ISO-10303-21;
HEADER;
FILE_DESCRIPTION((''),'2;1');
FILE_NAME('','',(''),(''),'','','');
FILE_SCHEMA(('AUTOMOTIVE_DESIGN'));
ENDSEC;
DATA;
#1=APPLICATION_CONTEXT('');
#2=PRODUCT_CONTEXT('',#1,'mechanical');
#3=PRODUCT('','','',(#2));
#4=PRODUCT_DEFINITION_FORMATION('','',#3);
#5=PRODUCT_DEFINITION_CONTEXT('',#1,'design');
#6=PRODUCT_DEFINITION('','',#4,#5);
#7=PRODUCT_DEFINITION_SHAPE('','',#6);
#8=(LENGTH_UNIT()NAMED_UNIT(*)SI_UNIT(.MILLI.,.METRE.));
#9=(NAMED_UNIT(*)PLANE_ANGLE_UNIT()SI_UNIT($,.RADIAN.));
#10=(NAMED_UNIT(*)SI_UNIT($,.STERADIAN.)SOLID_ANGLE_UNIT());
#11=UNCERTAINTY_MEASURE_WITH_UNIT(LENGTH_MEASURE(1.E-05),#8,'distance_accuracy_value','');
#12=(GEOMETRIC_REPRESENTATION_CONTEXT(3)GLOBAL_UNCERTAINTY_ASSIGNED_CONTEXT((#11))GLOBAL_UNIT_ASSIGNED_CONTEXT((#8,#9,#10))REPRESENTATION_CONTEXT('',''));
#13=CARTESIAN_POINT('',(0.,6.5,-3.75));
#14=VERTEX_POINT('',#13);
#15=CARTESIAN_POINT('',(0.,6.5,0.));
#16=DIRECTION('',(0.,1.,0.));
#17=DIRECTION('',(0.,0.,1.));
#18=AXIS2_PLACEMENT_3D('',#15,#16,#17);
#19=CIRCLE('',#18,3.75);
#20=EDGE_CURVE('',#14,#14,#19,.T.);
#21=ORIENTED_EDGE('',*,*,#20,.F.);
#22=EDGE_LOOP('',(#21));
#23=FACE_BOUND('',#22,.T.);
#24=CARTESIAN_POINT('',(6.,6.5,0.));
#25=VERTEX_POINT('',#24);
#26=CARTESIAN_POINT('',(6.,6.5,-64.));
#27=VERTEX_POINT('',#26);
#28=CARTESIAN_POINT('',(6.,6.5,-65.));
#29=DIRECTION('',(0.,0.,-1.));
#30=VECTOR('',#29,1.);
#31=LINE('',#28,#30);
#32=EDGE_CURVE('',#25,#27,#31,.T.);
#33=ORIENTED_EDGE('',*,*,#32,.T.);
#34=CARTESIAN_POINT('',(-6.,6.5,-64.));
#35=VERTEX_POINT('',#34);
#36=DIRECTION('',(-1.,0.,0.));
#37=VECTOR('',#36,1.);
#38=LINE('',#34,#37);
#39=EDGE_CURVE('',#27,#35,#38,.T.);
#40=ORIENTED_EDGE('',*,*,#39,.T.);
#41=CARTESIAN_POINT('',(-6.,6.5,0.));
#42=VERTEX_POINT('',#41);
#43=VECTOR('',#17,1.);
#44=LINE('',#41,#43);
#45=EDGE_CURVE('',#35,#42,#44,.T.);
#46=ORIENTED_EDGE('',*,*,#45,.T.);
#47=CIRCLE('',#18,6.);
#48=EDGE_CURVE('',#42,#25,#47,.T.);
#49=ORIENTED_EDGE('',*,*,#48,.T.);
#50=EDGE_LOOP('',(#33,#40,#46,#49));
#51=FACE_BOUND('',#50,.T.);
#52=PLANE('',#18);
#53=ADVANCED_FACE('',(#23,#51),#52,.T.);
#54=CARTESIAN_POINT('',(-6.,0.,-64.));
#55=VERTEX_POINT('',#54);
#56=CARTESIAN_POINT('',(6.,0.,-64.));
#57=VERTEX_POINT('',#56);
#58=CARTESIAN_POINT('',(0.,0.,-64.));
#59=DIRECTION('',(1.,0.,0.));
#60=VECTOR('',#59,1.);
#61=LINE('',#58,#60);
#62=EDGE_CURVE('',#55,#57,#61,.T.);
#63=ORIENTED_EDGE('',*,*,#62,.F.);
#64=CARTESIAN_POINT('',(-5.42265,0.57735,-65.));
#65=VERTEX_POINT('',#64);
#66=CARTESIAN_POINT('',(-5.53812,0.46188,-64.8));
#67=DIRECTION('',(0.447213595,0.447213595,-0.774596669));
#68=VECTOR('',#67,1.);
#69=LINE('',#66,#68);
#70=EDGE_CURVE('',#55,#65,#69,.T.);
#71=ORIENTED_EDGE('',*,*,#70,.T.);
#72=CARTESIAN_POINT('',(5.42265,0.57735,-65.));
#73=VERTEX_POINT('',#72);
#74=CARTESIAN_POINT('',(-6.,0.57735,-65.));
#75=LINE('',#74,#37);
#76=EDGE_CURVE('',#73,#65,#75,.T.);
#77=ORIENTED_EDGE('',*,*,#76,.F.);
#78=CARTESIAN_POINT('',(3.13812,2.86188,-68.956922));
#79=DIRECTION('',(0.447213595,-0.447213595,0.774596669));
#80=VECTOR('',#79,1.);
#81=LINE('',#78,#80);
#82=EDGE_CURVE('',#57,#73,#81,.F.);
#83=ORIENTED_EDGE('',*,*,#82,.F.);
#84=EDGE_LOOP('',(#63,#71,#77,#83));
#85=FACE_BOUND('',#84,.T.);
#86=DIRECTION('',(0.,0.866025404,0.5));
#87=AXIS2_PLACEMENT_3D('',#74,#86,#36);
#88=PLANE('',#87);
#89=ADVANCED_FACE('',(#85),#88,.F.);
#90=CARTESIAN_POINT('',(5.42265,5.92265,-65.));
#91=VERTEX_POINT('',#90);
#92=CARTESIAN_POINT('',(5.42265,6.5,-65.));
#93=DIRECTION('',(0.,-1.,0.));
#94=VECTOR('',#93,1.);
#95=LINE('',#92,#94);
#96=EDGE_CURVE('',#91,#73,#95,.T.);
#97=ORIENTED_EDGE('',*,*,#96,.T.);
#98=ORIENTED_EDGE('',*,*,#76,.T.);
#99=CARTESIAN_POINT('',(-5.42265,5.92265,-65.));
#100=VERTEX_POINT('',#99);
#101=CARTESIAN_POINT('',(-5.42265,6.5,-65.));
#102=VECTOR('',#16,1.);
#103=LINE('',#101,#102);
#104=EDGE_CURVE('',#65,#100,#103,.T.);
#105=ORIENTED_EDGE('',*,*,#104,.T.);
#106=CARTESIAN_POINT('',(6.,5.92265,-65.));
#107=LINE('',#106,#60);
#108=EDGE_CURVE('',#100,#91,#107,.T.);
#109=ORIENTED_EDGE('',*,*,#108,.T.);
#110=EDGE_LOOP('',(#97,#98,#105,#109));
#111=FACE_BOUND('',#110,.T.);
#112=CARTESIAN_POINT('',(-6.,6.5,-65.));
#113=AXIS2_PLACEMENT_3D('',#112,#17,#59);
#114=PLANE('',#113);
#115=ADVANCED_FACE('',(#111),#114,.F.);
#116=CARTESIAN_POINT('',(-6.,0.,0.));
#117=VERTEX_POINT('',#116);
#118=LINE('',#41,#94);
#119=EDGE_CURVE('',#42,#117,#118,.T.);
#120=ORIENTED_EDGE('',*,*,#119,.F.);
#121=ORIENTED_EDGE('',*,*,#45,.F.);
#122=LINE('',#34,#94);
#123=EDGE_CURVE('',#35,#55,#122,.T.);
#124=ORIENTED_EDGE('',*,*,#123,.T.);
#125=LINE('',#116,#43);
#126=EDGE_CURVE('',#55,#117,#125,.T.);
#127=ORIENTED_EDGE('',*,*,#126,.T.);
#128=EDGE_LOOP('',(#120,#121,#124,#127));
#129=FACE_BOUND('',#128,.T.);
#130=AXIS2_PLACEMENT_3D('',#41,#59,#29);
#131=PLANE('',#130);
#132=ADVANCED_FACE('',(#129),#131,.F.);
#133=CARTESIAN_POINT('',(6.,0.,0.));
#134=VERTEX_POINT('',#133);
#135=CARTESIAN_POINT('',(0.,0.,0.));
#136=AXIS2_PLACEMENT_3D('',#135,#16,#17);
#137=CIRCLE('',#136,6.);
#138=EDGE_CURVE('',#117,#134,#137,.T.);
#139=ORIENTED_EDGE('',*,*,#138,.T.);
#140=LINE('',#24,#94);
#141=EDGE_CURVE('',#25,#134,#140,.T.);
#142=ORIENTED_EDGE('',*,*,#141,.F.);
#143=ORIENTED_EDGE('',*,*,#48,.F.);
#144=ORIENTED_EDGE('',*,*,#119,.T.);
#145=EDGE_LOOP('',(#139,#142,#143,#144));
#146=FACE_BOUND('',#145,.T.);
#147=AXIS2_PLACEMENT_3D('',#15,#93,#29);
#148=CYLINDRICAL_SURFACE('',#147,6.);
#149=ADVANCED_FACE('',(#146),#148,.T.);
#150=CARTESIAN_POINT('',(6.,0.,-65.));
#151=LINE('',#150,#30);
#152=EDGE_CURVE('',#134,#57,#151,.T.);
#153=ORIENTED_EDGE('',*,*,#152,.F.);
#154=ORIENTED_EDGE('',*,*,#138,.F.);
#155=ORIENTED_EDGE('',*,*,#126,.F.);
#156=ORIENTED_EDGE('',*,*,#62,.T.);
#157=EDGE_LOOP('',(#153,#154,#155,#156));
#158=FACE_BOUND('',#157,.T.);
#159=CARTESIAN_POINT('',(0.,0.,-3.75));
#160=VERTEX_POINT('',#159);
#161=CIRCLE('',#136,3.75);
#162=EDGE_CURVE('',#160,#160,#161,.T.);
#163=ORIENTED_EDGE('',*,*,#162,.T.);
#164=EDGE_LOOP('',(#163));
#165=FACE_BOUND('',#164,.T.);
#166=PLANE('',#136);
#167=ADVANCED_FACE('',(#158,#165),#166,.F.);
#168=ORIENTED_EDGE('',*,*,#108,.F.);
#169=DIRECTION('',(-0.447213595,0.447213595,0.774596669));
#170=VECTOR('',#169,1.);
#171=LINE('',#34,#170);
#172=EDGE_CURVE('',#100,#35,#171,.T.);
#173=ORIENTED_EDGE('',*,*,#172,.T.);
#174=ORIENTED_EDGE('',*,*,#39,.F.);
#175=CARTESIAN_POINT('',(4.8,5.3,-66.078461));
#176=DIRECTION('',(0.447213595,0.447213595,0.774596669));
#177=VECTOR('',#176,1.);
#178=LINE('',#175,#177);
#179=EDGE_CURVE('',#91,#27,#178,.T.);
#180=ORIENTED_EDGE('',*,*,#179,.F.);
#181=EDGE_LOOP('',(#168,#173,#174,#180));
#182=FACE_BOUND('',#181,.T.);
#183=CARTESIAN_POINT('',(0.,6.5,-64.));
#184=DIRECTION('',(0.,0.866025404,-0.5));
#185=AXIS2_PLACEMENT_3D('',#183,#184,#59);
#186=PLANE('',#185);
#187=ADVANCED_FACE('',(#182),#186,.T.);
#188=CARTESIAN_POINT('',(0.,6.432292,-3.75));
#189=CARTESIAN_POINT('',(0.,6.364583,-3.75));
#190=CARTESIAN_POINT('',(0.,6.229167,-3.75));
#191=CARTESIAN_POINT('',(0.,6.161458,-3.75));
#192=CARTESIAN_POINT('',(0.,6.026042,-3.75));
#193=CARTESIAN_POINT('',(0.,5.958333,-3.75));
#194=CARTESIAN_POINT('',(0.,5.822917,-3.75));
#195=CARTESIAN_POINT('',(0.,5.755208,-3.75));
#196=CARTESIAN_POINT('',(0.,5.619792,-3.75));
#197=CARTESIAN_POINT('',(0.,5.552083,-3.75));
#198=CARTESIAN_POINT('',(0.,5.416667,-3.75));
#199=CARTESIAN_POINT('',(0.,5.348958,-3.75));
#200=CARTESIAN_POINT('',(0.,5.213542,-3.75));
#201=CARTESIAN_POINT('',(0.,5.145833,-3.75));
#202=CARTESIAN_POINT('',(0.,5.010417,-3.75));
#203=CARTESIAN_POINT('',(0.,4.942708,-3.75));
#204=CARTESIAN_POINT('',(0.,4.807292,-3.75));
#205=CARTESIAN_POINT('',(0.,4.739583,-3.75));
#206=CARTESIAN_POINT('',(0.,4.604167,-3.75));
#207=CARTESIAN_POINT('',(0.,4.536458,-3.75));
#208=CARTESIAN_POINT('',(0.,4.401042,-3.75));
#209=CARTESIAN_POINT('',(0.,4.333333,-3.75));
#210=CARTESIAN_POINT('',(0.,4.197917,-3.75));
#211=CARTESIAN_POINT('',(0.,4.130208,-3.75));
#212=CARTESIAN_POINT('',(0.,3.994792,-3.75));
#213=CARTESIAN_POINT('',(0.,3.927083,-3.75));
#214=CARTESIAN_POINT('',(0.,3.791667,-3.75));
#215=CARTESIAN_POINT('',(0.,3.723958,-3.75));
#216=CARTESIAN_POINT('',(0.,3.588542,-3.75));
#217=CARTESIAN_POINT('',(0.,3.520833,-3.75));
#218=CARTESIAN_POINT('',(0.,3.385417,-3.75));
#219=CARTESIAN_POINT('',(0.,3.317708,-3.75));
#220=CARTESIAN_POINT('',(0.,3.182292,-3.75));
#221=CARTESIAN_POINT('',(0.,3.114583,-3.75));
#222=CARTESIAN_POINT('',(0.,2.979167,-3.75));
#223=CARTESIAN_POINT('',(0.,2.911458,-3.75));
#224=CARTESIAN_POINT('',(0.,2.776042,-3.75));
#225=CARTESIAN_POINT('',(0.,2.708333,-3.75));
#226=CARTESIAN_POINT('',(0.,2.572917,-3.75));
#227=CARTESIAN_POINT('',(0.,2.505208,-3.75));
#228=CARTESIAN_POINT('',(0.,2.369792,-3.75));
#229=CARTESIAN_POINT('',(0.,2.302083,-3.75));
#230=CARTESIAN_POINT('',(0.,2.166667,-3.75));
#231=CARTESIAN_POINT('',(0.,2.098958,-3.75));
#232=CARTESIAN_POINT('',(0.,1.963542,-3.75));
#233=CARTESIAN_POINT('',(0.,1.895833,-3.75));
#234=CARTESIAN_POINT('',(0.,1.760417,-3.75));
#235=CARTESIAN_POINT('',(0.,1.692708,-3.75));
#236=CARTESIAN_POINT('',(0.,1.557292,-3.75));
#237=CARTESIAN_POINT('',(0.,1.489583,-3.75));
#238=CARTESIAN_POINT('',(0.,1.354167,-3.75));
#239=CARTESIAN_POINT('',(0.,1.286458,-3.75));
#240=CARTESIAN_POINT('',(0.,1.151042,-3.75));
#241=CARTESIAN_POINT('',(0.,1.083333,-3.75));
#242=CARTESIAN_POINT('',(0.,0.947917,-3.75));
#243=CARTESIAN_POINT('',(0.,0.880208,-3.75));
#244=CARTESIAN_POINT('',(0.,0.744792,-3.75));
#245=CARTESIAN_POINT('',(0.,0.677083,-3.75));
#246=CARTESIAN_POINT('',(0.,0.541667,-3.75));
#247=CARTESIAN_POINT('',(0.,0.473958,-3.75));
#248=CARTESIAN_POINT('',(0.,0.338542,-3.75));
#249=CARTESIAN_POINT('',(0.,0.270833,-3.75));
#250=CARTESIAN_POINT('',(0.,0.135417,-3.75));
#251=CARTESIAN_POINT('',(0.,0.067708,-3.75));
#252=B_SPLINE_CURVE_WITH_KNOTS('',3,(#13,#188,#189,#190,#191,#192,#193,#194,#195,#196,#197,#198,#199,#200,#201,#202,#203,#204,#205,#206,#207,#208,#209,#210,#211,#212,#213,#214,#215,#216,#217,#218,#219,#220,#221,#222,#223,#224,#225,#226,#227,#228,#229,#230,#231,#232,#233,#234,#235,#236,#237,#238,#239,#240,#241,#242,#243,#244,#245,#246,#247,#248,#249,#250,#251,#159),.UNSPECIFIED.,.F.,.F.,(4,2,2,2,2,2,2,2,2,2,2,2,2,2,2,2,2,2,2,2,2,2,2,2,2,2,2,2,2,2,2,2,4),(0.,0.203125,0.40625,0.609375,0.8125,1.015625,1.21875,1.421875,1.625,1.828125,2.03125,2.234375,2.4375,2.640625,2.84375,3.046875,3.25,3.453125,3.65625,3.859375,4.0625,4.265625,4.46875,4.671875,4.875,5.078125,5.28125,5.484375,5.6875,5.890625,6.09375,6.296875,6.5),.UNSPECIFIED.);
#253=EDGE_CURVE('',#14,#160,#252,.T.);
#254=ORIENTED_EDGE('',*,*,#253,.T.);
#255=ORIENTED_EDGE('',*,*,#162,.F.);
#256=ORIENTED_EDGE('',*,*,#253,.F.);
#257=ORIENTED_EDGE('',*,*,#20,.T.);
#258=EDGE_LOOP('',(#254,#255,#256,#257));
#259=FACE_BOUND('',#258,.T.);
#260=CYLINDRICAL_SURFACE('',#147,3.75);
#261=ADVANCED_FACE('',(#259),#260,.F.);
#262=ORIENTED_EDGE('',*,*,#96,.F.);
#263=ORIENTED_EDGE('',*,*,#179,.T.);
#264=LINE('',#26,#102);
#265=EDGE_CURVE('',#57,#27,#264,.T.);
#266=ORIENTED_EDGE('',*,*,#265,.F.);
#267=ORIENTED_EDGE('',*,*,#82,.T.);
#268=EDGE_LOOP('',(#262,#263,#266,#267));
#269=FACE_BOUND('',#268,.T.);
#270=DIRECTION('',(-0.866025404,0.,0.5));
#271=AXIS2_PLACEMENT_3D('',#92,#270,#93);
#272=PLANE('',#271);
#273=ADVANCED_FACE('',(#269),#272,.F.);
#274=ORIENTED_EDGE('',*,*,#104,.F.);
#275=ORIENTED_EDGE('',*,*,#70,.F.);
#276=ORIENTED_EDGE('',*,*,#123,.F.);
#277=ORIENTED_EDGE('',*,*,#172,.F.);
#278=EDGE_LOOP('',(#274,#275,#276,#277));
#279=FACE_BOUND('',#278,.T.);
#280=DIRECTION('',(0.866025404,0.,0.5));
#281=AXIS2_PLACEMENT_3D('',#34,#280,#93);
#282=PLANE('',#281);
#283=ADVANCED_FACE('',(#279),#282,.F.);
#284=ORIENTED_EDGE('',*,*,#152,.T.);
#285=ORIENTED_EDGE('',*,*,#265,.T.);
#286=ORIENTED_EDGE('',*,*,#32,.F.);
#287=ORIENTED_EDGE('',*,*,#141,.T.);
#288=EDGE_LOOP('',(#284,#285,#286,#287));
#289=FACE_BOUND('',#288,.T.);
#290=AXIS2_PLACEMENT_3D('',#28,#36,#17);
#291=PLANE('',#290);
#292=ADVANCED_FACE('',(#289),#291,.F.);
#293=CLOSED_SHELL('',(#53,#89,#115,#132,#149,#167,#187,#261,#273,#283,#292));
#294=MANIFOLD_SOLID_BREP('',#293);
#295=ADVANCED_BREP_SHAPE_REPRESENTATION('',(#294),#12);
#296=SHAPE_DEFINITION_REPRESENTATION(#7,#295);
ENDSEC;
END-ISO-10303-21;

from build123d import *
from OCP.BRepFilletAPI import BRepFilletAPI_MakeChamfer

# Parameters (mm, degrees)
SKETCH1_R           = 3.75
BOSS_EXTRUDE1_DEPTH = 6.5
CHAMFER1_SIZE       = 1
CHAMFER1_SIZE2      = 0.577350269


with BuildPart() as part:
    # Sketch1 → Boss-Extrude1 (new body)
    with BuildSketch(Plane(origin=(0, 0, 0), x_dir=(1, 0, 0), z_dir=(0, 1, 0))):
        with BuildLine():
            Line((-6, 0), (-6, 65))
            Line((-6, 65), (6, 65))
            Line((6, 65), (6, 0))
            ThreePointArc((6, 0), (0, -6), (-6, 0))
        make_face()
        with Locations(Location((0, 0, 0), (0, 0, 90))):
            Circle(SKETCH1_R, mode=Mode.SUBTRACT)
    extrude(amount=BOSS_EXTRUDE1_DEPTH)

    # Chamfer1: one chamfer whose edges measure the first distance from different faces: ONE call of the kernel's chamfer builder (chamfer() names one face for all edges)
    chamfer1_edges_1 = [part.edges().sort_by_distance(p)[0] for p in [
        (0, 6.5, -65),
    ]]
    chamfer1_side_1 = [part.faces().sort_by_distance(p)[0] for p in [
        (0, 6.5, -31.810895579),
    ]]
    chamfer1_edges_2 = [part.edges().sort_by_distance(p)[0] for p in [
        (0, 0, -65),
    ]]
    chamfer1_side_2 = [part.faces().sort_by_distance(p)[0] for p in [
        (0, 0, -31.810895579),
    ]]
    chamfer1_edges_3 = [part.edges().sort_by_distance(p)[0] for p in [
        (-6, 3.25, -65),
    ]]
    chamfer1_side_3 = [part.faces().sort_by_distance(p)[0] for p in [
        (-6, 3.25, -32.5),
    ]]
    chamfer1_edges_4 = [part.edges().sort_by_distance(p)[0] for p in [
        (6, 3.25, -65),
    ]]
    chamfer1_side_4 = [part.faces().sort_by_distance(p)[0] for p in [
        (6, 3.25, -32.5),
    ]]
    chamfer1 = BRepFilletAPI_MakeChamfer(part.part.solid().wrapped)
    for e in chamfer1_edges_1:
        chamfer1.Add(CHAMFER1_SIZE, CHAMFER1_SIZE2, e.wrapped, chamfer1_side_1[0].wrapped)  # the first distance lies on this face
    for e in chamfer1_edges_2:
        chamfer1.Add(CHAMFER1_SIZE, CHAMFER1_SIZE2, e.wrapped, chamfer1_side_2[0].wrapped)  # the first distance lies on this face
    for e in chamfer1_edges_3:
        chamfer1.Add(CHAMFER1_SIZE, CHAMFER1_SIZE2, e.wrapped, chamfer1_side_3[0].wrapped)  # the first distance lies on this face
    for e in chamfer1_edges_4:
        chamfer1.Add(CHAMFER1_SIZE, CHAMFER1_SIZE2, e.wrapped, chamfer1_side_4[0].wrapped)  # the first distance lies on this face
    add(Compound.cast(chamfer1.Shape()), mode=Mode.REPLACE)


solid = part.part
